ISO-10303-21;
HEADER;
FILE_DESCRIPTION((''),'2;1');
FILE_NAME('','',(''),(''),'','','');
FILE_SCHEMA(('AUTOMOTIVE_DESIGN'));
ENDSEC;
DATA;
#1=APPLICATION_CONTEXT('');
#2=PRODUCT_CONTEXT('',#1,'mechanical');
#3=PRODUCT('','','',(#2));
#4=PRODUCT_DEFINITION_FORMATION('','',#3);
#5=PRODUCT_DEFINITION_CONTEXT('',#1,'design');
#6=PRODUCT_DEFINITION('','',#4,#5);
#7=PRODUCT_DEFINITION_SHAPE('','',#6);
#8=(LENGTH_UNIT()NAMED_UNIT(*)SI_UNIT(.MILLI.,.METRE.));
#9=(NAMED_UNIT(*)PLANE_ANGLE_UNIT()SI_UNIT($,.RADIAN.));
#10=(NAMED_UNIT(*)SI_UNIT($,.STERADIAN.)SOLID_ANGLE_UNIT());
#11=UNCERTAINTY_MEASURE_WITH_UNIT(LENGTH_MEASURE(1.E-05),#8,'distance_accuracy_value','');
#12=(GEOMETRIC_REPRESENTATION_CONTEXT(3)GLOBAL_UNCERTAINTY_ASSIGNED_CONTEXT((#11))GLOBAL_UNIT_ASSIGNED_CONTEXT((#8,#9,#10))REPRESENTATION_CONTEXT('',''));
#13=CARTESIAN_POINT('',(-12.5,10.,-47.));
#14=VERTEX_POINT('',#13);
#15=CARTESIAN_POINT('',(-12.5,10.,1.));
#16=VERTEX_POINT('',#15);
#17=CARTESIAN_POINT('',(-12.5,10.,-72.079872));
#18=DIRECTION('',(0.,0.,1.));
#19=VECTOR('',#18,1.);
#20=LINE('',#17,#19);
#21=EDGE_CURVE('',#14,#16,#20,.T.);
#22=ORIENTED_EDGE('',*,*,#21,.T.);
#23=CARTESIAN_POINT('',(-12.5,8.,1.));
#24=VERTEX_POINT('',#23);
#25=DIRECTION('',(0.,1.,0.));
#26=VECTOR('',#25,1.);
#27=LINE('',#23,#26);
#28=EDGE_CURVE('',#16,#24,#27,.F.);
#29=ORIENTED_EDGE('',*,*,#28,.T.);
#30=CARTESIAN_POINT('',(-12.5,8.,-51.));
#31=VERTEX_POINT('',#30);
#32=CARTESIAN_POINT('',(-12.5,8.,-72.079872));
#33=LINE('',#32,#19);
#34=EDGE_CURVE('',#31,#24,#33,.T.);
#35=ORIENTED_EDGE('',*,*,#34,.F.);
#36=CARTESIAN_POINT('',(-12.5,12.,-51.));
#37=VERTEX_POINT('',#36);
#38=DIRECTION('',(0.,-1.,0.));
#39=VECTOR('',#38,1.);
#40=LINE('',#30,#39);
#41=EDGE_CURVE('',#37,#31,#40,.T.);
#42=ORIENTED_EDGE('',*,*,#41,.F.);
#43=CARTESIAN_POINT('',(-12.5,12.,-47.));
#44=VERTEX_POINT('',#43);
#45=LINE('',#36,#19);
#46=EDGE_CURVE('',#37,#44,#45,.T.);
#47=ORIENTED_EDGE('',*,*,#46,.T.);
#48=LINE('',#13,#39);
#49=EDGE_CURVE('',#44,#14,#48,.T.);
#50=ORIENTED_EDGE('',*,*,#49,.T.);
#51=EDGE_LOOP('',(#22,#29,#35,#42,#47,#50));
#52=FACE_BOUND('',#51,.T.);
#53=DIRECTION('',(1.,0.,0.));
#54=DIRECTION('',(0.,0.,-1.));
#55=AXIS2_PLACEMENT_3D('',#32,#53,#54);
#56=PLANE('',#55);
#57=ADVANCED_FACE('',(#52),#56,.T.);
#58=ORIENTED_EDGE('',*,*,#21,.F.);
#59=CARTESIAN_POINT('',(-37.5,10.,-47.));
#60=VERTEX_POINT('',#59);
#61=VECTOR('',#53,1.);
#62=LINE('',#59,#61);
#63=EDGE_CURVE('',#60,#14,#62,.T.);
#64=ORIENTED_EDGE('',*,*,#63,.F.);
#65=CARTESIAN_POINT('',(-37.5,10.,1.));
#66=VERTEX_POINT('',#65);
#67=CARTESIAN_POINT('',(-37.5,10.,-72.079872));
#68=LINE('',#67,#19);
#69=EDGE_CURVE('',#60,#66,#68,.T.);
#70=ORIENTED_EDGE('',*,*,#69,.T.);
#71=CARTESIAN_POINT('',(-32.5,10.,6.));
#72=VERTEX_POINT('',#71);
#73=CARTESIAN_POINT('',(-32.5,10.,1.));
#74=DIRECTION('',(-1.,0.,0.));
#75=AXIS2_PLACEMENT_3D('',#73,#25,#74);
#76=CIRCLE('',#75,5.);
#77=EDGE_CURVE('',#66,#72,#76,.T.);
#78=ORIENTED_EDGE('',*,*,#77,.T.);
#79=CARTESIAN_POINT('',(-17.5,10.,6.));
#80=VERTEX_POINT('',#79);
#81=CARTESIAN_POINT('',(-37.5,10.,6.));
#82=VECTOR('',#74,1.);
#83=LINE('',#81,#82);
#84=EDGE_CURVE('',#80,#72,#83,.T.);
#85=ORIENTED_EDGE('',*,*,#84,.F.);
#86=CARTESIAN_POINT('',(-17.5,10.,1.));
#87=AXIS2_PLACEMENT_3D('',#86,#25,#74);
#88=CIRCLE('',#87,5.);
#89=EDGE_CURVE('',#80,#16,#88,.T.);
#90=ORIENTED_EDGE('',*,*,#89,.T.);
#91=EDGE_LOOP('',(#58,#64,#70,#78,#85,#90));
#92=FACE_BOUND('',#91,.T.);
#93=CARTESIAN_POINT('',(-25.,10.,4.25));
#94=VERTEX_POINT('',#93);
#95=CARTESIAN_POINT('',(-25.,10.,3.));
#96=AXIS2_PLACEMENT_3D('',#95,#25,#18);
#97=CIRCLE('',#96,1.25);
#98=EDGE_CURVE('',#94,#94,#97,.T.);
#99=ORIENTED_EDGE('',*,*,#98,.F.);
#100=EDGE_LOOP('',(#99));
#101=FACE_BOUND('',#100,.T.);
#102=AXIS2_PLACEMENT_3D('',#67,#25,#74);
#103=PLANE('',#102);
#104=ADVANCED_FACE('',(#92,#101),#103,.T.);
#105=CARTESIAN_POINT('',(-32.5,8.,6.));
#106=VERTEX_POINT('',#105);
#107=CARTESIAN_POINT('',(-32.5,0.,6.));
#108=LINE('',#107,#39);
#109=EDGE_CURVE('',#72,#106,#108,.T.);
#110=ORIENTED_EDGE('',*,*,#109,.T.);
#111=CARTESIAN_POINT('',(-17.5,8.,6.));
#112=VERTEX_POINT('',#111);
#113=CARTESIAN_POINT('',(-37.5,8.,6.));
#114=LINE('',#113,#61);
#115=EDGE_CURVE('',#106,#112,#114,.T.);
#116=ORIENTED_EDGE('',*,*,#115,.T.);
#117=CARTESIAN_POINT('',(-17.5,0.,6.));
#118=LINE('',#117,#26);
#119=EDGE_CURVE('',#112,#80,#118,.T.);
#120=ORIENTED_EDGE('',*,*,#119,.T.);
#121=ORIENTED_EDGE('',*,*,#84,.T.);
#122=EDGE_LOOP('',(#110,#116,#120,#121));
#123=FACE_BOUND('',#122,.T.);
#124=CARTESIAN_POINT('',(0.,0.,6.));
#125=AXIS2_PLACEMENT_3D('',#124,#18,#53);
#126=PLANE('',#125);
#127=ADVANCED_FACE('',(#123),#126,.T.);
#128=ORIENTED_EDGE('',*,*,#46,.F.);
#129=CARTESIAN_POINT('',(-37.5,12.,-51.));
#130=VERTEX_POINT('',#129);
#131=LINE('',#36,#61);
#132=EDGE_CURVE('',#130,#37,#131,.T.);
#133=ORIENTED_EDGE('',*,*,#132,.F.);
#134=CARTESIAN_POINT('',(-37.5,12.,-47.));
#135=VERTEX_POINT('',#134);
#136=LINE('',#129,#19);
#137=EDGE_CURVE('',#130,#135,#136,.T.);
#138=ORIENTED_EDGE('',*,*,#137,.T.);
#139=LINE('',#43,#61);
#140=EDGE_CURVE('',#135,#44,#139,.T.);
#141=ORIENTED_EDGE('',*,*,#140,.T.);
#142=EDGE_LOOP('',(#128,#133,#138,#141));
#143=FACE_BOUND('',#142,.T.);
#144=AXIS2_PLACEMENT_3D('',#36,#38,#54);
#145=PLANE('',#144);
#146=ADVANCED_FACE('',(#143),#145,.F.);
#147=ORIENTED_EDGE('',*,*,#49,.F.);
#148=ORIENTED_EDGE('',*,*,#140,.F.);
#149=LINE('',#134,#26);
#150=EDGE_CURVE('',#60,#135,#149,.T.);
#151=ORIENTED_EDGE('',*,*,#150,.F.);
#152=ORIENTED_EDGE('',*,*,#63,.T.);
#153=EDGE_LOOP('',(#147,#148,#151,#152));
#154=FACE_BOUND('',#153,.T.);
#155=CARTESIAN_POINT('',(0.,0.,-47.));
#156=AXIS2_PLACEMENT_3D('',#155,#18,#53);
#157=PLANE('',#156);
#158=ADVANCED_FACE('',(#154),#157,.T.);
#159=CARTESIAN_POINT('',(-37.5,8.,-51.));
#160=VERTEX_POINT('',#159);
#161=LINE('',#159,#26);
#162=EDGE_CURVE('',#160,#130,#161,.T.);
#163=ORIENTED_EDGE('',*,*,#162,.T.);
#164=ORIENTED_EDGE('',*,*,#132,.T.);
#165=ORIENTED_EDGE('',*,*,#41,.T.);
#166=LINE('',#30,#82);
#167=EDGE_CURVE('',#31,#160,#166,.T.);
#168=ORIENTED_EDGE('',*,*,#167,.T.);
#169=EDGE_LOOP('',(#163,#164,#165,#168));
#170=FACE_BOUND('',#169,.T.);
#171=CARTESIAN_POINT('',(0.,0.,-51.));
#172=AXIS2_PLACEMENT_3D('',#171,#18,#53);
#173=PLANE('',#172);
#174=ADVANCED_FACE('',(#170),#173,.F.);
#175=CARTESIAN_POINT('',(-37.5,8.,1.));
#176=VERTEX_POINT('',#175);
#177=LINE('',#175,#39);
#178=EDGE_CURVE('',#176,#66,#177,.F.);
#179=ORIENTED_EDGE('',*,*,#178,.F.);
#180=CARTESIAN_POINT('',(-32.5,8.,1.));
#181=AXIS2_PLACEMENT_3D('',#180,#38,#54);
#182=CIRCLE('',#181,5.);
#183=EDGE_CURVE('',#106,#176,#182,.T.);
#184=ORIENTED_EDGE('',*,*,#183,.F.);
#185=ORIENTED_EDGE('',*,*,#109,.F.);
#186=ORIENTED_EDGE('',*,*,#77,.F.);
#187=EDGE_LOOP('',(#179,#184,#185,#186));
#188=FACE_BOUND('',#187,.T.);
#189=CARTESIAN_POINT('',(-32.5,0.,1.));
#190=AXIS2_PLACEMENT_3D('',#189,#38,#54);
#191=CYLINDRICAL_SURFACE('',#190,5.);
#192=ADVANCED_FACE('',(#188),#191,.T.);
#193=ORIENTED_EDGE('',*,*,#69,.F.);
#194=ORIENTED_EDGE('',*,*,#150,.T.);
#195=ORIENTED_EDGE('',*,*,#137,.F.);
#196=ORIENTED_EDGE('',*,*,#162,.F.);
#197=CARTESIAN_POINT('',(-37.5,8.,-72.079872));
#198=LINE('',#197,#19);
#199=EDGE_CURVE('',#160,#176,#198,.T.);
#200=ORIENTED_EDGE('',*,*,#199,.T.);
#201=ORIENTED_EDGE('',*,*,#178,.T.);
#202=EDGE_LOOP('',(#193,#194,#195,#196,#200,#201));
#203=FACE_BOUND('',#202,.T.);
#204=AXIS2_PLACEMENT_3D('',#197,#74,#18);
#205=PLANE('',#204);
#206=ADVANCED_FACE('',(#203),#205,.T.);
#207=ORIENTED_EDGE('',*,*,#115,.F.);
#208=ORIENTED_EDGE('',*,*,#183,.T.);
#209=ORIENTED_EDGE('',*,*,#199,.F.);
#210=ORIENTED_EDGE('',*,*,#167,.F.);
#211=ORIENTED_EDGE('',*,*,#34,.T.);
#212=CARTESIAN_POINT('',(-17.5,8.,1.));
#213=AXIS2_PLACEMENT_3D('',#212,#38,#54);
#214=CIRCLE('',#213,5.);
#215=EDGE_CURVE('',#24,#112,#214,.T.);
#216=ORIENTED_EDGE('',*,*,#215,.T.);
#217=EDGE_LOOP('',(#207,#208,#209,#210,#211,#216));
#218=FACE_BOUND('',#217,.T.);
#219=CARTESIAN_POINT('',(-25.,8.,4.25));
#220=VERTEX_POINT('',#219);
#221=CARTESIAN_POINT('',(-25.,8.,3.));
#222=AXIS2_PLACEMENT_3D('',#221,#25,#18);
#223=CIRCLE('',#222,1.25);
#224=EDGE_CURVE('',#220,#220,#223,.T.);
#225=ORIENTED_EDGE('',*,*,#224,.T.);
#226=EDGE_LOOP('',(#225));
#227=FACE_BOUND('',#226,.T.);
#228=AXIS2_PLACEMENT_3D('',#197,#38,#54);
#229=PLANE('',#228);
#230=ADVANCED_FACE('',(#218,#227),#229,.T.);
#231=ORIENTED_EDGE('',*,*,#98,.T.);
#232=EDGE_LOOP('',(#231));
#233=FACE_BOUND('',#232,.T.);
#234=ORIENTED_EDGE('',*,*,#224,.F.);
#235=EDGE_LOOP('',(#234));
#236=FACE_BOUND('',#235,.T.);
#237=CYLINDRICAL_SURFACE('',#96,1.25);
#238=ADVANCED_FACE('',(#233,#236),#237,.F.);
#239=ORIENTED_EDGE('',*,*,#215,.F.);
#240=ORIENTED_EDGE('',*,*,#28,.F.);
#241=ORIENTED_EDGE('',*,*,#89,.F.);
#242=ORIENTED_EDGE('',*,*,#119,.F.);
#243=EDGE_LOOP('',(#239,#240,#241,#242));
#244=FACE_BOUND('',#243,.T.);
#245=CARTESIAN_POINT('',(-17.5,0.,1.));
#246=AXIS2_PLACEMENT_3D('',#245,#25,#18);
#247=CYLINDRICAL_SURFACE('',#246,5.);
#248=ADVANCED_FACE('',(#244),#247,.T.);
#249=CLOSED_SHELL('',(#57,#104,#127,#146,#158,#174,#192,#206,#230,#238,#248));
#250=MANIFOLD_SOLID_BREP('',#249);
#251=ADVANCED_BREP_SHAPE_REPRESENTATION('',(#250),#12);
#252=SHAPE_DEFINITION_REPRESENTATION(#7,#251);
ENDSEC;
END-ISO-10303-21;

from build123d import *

# Parameters (mm, degrees)
SCHIZZO1_W                   = 25
SCHIZZO1_H                   = 2
ESTRUSIONE_ESTRUSIONE1_DEPTH = 47
SCHIZZO2_W                   = 25
SCHIZZO2_H                   = 2
ESTRUSIONE_ESTRUSIONE2_DEPTH = 6
FORO_FILETTATO_M3X0_5_1_D    = 2.5
RACCORDO1_R                  = 5
ESTRUSIONE_ESTRUSIONE3_DEPTH = 4


with BuildPart() as part:
    # Schizzo1 → Estrusione-Estrusione1 (new body)
    with BuildSketch(Plane.XY):
        with Locations((-25, 9)):
            Rectangle(SCHIZZO1_W, SCHIZZO1_H)
    extrude(amount=-ESTRUSIONE_ESTRUSIONE1_DEPTH)

    # Schizzo2 → Estrusione-Estrusione2 (add)
    with BuildSketch(Plane.XY):
        with Locations((-25, 9)):
            Rectangle(SCHIZZO2_W, SCHIZZO2_H)
    extrude(amount=ESTRUSIONE_ESTRUSIONE2_DEPTH)

    # Foro filettato M3x0.5-1 (through all)
    with Locations(Plane(origin=(0, 10, 0), x_dir=(1, 0, 0), z_dir=(0, 1, 0))):
        with Locations((-25, -3)):
            Hole(FORO_FILETTATO_M3X0_5_1_D / 2)

    # Raccordo1
    raccordo1_edges = [part.edges().sort_by_distance(p)[0] for p in [
        (-37.5, 9, 6),
        (-12.5, 9, 6),
    ]]
    fillet(raccordo1_edges, radius=RACCORDO1_R)

    # Schizzo5 → Estrusione-Estrusione3 (add)
    with BuildSketch(Plane(origin=(0, 0, -47), x_dir=(-1, 0, 0), z_dir=(0, 0, -1))):
        Polygon((12.5, 10), (12.5, 12), (37.5, 12), (37.5, 10), (37.5, 8), (12.5, 8), align=None)
    extrude(amount=ESTRUSIONE_ESTRUSIONE3_DEPTH)


solid = part.part
